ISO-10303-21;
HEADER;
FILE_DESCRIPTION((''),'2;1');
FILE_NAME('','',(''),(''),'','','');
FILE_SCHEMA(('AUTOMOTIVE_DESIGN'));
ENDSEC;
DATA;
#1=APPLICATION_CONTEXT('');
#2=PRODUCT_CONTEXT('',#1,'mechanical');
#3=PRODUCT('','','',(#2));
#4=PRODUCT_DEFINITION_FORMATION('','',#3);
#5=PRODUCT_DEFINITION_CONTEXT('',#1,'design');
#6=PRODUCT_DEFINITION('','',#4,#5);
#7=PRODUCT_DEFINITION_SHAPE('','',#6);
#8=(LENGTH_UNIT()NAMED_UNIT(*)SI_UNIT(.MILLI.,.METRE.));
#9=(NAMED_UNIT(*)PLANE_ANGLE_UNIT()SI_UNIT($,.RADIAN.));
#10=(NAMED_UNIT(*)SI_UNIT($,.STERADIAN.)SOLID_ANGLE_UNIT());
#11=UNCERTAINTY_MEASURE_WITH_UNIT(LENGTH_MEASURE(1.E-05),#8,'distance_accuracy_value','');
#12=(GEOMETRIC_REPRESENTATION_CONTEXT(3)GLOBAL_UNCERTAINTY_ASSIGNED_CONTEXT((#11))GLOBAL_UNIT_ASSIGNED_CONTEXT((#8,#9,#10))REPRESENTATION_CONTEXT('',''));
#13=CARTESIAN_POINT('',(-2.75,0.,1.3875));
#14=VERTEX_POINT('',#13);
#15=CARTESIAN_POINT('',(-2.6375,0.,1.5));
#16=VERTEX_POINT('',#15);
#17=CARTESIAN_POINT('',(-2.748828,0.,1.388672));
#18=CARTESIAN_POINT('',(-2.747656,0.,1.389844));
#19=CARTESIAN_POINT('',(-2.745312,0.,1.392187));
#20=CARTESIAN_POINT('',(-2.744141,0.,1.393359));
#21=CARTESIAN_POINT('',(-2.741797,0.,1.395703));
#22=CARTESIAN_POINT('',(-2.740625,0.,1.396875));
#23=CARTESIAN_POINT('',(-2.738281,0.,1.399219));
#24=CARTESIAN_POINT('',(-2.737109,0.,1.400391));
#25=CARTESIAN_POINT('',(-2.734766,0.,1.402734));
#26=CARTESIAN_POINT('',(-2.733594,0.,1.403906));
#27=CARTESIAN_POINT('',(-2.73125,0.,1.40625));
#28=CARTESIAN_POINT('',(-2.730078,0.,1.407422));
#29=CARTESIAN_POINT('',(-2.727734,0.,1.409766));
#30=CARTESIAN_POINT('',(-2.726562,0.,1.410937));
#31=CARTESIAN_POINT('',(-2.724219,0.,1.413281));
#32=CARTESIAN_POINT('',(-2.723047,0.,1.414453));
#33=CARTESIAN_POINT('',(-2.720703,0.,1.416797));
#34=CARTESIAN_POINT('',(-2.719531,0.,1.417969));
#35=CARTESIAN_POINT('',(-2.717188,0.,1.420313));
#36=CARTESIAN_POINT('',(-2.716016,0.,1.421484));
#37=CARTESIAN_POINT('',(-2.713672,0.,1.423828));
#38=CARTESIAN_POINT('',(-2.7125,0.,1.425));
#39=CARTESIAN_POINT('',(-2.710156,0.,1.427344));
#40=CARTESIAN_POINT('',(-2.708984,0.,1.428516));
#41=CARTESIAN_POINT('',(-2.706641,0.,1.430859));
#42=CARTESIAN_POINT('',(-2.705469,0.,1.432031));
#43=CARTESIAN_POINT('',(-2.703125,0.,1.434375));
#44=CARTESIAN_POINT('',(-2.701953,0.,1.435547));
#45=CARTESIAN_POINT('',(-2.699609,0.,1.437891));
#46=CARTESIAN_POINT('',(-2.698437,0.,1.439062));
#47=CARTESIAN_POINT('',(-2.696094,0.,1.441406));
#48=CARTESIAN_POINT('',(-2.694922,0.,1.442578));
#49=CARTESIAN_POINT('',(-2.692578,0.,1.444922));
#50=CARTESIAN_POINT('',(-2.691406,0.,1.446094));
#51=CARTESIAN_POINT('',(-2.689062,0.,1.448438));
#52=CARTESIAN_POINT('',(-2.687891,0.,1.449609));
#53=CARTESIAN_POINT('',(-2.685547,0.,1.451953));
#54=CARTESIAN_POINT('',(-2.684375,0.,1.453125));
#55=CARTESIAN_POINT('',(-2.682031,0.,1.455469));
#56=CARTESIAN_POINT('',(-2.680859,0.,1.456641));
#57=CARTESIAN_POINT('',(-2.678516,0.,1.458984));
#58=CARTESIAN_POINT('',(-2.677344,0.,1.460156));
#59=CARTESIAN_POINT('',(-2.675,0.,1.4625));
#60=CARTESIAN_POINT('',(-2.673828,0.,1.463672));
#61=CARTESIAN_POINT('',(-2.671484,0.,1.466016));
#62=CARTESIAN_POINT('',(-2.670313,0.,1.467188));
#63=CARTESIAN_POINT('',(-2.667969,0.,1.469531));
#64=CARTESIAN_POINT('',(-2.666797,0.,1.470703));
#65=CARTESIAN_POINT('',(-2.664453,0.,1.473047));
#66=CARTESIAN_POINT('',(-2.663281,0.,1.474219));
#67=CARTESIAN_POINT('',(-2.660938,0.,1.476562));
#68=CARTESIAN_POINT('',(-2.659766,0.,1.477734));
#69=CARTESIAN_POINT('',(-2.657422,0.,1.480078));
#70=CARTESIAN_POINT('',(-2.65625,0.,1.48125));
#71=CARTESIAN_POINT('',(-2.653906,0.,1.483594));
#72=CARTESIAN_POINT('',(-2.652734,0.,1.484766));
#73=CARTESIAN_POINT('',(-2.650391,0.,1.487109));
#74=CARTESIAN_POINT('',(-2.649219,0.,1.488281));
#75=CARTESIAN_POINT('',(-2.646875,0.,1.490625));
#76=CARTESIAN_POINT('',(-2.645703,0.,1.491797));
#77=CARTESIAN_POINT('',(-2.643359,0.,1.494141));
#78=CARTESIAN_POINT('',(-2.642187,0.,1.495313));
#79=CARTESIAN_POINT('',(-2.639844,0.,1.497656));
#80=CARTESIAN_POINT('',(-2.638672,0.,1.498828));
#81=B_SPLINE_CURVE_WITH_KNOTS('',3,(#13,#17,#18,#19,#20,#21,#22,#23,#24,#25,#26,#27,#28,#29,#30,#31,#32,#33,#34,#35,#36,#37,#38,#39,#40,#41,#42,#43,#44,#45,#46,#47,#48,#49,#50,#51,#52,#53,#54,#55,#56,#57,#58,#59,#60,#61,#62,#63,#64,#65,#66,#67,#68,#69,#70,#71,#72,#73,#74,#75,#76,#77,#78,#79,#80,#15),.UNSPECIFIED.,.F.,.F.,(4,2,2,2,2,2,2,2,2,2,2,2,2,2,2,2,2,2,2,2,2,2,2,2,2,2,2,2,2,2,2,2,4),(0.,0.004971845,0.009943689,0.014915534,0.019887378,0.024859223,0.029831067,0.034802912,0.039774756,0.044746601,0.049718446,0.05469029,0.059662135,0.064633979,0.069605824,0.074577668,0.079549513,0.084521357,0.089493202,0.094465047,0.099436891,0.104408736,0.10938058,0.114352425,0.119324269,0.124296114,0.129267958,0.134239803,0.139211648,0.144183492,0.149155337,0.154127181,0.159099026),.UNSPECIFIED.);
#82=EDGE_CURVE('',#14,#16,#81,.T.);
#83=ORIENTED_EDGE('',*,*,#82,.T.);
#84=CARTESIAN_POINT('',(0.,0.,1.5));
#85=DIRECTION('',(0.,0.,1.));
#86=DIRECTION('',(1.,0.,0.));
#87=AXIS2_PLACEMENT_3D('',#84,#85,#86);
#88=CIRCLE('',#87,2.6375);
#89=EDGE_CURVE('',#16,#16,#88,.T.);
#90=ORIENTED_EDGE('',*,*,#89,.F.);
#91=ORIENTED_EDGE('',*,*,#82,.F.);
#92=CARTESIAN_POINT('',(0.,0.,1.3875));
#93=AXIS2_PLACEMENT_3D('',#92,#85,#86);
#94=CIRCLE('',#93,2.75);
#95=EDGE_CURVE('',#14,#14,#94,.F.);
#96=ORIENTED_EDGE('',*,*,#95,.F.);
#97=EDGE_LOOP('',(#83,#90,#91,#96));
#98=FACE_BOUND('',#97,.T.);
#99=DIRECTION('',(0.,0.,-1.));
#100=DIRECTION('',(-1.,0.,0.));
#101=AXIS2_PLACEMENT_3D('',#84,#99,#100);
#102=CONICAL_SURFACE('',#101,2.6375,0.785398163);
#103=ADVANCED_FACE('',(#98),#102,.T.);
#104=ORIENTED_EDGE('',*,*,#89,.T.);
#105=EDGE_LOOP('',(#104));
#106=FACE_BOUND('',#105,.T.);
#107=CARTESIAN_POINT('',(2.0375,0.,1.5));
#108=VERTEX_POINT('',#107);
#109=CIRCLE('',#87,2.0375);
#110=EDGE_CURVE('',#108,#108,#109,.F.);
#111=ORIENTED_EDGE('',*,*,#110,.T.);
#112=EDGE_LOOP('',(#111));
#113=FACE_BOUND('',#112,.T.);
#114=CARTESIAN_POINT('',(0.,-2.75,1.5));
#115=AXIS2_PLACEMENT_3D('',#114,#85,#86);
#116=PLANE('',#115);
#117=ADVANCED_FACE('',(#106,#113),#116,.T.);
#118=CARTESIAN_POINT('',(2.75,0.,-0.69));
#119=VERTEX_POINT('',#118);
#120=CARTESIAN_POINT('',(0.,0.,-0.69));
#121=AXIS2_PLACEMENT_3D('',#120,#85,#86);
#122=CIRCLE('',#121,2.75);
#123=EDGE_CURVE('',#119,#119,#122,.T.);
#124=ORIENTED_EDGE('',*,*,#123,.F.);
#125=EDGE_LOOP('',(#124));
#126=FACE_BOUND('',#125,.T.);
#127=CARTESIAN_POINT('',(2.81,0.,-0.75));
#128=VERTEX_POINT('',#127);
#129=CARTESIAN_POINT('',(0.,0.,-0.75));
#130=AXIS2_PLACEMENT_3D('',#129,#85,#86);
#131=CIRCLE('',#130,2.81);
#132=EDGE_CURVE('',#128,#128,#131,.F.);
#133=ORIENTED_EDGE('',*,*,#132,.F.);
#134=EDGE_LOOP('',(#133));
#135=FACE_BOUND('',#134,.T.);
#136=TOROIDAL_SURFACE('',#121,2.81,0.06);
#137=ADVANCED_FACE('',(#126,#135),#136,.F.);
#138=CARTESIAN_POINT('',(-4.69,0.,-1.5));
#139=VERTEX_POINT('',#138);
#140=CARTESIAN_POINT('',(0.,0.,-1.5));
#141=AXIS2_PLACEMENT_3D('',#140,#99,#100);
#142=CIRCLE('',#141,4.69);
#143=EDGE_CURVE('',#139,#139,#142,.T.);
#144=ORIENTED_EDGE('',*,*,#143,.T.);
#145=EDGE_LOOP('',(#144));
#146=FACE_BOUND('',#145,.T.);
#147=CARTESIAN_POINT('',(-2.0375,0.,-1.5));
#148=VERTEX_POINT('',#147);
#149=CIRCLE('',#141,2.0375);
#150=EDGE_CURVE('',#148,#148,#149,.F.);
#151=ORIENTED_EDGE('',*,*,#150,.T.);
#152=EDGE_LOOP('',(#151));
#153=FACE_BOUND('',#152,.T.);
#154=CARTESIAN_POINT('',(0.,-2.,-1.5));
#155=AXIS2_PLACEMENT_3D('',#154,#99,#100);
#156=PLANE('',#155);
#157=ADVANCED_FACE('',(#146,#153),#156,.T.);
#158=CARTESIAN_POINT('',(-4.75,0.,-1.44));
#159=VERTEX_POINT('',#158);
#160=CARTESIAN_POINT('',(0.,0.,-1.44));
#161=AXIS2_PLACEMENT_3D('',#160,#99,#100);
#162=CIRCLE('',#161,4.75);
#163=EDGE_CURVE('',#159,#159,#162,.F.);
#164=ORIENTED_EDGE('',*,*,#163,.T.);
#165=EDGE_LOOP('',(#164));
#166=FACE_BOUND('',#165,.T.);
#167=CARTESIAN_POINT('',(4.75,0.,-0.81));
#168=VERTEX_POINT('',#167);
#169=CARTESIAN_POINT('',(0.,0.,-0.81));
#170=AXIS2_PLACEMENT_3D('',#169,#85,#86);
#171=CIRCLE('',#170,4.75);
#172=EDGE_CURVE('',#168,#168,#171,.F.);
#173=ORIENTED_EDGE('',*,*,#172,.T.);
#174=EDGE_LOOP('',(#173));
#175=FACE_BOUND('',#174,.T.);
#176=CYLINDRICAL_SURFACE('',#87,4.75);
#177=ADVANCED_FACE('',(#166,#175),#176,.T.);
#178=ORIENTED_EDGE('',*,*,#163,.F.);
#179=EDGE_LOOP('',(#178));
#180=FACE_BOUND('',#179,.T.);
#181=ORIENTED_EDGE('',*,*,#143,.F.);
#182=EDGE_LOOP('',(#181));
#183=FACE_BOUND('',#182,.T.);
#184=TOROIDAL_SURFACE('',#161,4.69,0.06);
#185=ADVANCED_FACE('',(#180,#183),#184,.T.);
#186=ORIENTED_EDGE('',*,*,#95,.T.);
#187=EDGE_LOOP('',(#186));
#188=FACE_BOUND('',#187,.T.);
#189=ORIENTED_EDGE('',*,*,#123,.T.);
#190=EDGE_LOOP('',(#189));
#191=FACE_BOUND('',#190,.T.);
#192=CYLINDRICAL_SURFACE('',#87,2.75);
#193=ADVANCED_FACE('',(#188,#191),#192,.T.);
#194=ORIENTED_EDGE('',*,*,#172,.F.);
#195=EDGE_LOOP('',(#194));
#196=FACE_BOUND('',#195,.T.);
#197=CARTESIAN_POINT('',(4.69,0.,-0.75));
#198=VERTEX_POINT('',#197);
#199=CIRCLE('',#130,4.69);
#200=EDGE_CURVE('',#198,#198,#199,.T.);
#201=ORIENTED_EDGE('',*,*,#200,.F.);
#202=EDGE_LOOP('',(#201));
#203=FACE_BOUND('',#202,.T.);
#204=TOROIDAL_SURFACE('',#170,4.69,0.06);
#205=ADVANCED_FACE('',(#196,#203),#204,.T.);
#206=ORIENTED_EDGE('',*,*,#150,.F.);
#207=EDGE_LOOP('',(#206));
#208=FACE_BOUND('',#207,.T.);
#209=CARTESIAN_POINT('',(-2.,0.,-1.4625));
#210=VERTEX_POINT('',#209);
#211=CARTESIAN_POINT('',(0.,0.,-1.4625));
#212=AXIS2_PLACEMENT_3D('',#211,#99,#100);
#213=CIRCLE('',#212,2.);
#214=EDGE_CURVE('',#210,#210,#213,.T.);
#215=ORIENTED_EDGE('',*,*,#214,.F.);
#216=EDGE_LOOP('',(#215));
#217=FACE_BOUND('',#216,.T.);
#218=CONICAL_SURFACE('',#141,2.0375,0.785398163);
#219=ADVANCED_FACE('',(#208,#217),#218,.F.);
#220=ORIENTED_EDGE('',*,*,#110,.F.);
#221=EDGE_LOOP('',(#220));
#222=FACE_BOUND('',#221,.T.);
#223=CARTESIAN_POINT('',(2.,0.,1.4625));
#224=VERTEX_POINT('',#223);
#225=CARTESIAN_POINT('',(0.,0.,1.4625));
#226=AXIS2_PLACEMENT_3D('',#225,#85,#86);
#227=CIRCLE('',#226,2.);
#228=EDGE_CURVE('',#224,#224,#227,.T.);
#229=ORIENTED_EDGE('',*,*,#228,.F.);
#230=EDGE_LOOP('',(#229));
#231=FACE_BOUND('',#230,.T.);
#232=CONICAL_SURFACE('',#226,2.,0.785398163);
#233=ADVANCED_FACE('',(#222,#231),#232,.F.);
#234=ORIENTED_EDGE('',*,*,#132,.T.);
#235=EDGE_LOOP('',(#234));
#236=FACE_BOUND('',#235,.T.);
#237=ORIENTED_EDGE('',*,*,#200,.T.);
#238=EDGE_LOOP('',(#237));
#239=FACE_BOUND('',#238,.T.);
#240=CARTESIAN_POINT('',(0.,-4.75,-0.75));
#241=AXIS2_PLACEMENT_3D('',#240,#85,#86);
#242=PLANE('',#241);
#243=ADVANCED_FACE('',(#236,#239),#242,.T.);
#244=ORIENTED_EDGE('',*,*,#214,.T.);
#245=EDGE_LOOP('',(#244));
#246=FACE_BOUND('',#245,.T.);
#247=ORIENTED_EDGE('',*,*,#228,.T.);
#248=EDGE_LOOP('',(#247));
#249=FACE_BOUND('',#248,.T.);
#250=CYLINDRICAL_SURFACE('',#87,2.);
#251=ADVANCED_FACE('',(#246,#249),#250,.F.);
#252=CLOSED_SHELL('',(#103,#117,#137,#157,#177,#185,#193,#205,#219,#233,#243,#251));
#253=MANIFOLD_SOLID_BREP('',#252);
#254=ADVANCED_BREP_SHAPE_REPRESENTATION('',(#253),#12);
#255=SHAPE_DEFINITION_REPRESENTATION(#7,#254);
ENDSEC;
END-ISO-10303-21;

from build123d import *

# Parameters (mm, degrees)
CHAMFER1_SIZE = 0.1125
CHAMFER2_SIZE = 0.0375
FILLET1_R     = 0.06


with BuildPart() as part:
    # Sketch3 → Revolve1 (revolve)
    with BuildSketch(Plane(origin=(0, 0, 0), x_dir=(0, 0, -1), z_dir=(1, 0, 0)), mode=Mode.PRIVATE) as revolve1_sk:
        Polygon((1.5, -4.75), (0.75, -4.75), (0.75, -2.75), (-1.5, -2.75), (-1.5, -2), (1.5, -2), align=None)
    revolve(revolve1_sk.sketch.rotate(Axis((0, 0, 1.5), (0, 0, -1)), 270), axis=Axis((0, 0, 1.5), (0, 0, -1)))

    # Chamfer1
    chamfer1_edges = [part.edges().sort_by_distance(p)[0] for p in [
        (-2.75, 0, 1.5),
    ]]
    chamfer(chamfer1_edges, length=CHAMFER1_SIZE)

    # Chamfer2
    chamfer2_edges = [part.edges().sort_by_distance(p)[0] for p in [
        (-2, 0, -1.5),
        (-2, 0, 1.5),
    ]]
    chamfer(chamfer2_edges, length=CHAMFER2_SIZE)

    # Fillet1
    fillet1_edges = [part.edges().sort_by_distance(p)[0] for p in [
        (-2.75, 0, -0.75),
        (-4.75, 0, -0.75),
        (-4.75, 0, -1.5),
    ]]
    fillet(fillet1_edges, radius=FILLET1_R)


solid = part.part
